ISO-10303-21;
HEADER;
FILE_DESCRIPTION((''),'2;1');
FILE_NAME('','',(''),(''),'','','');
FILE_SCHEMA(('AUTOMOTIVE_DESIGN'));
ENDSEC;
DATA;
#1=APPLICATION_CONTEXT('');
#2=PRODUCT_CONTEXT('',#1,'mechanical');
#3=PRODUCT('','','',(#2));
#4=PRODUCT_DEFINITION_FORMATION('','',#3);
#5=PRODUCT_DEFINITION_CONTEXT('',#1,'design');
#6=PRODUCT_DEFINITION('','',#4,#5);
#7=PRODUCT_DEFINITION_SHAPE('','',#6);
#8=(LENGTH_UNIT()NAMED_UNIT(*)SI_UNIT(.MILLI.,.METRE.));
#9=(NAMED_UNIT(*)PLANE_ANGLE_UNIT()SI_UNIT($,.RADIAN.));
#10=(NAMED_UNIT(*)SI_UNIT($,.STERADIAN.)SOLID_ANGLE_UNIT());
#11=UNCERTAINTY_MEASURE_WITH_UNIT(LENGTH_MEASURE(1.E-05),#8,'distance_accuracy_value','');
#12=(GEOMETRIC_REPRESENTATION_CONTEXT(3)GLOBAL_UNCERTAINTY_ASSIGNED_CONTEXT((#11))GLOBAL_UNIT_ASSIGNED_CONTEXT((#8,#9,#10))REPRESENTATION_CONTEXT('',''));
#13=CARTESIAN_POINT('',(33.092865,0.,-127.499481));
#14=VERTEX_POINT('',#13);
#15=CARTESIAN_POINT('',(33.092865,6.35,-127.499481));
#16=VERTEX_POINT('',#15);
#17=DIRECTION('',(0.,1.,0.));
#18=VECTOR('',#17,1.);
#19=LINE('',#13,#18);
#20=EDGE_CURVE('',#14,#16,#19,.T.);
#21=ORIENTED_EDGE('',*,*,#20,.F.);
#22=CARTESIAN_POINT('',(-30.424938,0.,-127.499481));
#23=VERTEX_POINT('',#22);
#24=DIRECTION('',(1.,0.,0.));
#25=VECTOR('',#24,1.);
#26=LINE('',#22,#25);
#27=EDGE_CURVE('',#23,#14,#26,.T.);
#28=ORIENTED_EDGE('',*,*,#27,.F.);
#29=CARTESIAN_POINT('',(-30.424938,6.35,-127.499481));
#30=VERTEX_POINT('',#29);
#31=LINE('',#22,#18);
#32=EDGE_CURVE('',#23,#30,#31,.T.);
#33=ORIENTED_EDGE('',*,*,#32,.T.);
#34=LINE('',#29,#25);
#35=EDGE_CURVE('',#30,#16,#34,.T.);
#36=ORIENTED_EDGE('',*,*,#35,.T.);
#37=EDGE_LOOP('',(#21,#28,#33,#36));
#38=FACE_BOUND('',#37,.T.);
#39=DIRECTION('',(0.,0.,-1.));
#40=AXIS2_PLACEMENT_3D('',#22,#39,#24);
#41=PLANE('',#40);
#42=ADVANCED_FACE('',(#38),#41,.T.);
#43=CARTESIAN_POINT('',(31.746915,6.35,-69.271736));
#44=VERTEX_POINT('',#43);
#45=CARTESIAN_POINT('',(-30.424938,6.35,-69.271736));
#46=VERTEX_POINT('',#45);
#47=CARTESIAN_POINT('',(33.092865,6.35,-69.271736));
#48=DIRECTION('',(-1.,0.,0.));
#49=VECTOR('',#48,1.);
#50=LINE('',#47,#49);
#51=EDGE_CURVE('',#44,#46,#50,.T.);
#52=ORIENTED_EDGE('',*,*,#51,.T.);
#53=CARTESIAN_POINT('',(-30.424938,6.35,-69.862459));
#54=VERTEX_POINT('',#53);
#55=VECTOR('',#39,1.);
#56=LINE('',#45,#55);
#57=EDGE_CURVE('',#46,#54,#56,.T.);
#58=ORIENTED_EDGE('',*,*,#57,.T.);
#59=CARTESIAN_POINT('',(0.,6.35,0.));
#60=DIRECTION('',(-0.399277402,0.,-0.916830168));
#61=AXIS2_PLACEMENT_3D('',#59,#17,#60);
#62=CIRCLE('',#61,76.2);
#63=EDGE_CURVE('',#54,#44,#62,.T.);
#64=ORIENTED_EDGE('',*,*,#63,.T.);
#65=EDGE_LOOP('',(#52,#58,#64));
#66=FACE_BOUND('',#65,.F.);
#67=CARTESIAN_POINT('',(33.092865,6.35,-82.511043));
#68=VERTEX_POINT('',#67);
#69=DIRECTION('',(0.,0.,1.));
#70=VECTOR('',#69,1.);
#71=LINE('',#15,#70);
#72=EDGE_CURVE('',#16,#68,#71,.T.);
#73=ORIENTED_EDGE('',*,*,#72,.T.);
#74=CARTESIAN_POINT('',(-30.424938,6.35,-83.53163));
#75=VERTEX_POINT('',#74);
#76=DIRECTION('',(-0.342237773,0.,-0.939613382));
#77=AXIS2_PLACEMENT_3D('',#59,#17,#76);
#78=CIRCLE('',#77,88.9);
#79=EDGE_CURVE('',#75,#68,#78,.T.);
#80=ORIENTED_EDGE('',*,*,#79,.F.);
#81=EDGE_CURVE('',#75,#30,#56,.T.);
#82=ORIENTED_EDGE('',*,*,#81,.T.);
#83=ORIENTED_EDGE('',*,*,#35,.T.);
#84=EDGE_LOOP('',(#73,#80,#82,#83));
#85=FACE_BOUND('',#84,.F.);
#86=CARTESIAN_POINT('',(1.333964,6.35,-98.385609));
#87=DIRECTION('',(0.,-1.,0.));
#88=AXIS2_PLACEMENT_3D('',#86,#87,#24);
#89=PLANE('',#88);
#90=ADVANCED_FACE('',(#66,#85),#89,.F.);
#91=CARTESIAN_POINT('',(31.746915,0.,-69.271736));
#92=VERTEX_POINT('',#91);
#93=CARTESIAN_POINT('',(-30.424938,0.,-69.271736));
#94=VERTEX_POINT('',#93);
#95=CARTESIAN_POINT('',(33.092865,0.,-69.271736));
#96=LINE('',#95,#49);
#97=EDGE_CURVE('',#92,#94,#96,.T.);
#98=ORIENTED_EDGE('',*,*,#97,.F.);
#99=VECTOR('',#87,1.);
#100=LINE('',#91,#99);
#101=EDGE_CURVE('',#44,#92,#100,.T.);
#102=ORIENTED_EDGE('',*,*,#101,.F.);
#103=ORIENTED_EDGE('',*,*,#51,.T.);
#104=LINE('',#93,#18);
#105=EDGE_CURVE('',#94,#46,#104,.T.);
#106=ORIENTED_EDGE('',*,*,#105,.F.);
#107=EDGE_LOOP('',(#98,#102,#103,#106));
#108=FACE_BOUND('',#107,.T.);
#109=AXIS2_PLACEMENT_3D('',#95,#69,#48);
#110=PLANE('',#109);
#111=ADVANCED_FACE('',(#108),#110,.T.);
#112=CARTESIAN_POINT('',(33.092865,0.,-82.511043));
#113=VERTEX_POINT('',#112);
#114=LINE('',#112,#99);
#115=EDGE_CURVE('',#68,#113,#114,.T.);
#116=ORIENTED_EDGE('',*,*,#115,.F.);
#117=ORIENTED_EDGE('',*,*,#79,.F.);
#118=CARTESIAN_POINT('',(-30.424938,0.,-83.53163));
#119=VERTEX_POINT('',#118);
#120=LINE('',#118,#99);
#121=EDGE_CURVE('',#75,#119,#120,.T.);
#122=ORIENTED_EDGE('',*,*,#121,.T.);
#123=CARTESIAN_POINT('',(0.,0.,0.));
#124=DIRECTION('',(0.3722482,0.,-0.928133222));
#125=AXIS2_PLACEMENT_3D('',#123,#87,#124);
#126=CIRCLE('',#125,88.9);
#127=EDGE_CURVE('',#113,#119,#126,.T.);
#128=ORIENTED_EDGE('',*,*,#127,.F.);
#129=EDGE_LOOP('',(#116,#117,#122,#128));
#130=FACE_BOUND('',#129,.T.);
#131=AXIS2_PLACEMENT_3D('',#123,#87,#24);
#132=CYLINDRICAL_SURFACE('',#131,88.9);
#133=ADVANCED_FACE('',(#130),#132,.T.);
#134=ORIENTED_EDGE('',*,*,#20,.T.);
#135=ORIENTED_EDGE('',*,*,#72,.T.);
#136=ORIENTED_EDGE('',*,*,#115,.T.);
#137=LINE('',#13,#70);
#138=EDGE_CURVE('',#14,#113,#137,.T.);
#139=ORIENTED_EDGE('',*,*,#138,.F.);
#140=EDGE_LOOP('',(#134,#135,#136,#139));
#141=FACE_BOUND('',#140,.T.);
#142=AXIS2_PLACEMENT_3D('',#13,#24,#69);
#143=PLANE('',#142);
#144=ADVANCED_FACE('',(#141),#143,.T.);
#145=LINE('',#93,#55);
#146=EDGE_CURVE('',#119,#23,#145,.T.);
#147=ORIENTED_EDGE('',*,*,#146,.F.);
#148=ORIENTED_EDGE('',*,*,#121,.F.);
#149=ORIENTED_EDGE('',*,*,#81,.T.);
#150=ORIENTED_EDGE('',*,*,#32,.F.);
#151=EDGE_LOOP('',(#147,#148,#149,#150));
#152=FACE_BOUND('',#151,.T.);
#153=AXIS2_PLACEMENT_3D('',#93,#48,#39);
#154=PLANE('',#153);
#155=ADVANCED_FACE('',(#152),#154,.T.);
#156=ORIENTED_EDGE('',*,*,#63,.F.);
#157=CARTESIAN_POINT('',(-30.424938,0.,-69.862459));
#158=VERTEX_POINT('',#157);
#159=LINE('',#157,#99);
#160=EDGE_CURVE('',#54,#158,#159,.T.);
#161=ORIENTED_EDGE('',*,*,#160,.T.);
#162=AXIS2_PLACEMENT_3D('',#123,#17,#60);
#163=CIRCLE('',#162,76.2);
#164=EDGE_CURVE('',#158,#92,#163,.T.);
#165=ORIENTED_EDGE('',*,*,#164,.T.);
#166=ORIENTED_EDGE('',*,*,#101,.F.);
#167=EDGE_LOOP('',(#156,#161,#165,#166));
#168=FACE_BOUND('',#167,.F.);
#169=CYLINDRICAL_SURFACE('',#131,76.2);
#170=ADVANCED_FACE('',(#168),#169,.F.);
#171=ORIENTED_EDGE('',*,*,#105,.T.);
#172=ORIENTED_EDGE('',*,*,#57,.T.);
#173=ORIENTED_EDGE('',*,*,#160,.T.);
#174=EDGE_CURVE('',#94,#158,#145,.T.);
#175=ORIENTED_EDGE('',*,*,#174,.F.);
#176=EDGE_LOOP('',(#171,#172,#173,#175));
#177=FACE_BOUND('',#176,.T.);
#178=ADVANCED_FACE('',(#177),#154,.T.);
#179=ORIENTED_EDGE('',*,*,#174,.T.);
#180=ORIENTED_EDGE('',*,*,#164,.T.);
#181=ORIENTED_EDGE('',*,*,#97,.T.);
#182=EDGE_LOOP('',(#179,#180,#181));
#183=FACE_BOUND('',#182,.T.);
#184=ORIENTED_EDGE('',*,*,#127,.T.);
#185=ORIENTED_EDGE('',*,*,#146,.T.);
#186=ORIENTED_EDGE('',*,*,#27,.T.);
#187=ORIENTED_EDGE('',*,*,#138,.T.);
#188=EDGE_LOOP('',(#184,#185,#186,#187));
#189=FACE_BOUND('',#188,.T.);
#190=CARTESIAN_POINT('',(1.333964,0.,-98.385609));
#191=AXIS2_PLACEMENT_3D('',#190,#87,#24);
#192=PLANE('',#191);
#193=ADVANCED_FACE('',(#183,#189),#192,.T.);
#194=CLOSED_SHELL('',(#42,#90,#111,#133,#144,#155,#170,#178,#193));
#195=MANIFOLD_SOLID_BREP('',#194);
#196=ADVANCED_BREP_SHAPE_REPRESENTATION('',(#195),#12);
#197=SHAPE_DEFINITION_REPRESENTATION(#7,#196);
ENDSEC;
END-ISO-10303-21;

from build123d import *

# Parameters (mm, degrees)
F0_R     = 88.9
F0_R_2   = 76.2
F1_DEPTH = 6.35
F3_DEPTH = 6.35


with BuildPart() as f1:
    # F0 (on Front) → F1 (new body)
    with BuildSketch(Plane.XZ):
        Circle(F0_R)
        Circle(F0_R_2, mode=Mode.SUBTRACT)
    extrude(amount=-F1_DEPTH)

    # F2 (on Front) → F3 (join)
    with BuildSketch(Plane.XZ):
        Polygon((-30.424938, -69.271736), (-30.424938, -104.769359), (-30.424938, -127.499481), (33.092865, -127.499481), (33.092865, -104.408564), (33.092865, -84.904375), (33.092865, -69.271736), align=None)
    extrude(amount=-F3_DEPTH)


solid = f1.part
